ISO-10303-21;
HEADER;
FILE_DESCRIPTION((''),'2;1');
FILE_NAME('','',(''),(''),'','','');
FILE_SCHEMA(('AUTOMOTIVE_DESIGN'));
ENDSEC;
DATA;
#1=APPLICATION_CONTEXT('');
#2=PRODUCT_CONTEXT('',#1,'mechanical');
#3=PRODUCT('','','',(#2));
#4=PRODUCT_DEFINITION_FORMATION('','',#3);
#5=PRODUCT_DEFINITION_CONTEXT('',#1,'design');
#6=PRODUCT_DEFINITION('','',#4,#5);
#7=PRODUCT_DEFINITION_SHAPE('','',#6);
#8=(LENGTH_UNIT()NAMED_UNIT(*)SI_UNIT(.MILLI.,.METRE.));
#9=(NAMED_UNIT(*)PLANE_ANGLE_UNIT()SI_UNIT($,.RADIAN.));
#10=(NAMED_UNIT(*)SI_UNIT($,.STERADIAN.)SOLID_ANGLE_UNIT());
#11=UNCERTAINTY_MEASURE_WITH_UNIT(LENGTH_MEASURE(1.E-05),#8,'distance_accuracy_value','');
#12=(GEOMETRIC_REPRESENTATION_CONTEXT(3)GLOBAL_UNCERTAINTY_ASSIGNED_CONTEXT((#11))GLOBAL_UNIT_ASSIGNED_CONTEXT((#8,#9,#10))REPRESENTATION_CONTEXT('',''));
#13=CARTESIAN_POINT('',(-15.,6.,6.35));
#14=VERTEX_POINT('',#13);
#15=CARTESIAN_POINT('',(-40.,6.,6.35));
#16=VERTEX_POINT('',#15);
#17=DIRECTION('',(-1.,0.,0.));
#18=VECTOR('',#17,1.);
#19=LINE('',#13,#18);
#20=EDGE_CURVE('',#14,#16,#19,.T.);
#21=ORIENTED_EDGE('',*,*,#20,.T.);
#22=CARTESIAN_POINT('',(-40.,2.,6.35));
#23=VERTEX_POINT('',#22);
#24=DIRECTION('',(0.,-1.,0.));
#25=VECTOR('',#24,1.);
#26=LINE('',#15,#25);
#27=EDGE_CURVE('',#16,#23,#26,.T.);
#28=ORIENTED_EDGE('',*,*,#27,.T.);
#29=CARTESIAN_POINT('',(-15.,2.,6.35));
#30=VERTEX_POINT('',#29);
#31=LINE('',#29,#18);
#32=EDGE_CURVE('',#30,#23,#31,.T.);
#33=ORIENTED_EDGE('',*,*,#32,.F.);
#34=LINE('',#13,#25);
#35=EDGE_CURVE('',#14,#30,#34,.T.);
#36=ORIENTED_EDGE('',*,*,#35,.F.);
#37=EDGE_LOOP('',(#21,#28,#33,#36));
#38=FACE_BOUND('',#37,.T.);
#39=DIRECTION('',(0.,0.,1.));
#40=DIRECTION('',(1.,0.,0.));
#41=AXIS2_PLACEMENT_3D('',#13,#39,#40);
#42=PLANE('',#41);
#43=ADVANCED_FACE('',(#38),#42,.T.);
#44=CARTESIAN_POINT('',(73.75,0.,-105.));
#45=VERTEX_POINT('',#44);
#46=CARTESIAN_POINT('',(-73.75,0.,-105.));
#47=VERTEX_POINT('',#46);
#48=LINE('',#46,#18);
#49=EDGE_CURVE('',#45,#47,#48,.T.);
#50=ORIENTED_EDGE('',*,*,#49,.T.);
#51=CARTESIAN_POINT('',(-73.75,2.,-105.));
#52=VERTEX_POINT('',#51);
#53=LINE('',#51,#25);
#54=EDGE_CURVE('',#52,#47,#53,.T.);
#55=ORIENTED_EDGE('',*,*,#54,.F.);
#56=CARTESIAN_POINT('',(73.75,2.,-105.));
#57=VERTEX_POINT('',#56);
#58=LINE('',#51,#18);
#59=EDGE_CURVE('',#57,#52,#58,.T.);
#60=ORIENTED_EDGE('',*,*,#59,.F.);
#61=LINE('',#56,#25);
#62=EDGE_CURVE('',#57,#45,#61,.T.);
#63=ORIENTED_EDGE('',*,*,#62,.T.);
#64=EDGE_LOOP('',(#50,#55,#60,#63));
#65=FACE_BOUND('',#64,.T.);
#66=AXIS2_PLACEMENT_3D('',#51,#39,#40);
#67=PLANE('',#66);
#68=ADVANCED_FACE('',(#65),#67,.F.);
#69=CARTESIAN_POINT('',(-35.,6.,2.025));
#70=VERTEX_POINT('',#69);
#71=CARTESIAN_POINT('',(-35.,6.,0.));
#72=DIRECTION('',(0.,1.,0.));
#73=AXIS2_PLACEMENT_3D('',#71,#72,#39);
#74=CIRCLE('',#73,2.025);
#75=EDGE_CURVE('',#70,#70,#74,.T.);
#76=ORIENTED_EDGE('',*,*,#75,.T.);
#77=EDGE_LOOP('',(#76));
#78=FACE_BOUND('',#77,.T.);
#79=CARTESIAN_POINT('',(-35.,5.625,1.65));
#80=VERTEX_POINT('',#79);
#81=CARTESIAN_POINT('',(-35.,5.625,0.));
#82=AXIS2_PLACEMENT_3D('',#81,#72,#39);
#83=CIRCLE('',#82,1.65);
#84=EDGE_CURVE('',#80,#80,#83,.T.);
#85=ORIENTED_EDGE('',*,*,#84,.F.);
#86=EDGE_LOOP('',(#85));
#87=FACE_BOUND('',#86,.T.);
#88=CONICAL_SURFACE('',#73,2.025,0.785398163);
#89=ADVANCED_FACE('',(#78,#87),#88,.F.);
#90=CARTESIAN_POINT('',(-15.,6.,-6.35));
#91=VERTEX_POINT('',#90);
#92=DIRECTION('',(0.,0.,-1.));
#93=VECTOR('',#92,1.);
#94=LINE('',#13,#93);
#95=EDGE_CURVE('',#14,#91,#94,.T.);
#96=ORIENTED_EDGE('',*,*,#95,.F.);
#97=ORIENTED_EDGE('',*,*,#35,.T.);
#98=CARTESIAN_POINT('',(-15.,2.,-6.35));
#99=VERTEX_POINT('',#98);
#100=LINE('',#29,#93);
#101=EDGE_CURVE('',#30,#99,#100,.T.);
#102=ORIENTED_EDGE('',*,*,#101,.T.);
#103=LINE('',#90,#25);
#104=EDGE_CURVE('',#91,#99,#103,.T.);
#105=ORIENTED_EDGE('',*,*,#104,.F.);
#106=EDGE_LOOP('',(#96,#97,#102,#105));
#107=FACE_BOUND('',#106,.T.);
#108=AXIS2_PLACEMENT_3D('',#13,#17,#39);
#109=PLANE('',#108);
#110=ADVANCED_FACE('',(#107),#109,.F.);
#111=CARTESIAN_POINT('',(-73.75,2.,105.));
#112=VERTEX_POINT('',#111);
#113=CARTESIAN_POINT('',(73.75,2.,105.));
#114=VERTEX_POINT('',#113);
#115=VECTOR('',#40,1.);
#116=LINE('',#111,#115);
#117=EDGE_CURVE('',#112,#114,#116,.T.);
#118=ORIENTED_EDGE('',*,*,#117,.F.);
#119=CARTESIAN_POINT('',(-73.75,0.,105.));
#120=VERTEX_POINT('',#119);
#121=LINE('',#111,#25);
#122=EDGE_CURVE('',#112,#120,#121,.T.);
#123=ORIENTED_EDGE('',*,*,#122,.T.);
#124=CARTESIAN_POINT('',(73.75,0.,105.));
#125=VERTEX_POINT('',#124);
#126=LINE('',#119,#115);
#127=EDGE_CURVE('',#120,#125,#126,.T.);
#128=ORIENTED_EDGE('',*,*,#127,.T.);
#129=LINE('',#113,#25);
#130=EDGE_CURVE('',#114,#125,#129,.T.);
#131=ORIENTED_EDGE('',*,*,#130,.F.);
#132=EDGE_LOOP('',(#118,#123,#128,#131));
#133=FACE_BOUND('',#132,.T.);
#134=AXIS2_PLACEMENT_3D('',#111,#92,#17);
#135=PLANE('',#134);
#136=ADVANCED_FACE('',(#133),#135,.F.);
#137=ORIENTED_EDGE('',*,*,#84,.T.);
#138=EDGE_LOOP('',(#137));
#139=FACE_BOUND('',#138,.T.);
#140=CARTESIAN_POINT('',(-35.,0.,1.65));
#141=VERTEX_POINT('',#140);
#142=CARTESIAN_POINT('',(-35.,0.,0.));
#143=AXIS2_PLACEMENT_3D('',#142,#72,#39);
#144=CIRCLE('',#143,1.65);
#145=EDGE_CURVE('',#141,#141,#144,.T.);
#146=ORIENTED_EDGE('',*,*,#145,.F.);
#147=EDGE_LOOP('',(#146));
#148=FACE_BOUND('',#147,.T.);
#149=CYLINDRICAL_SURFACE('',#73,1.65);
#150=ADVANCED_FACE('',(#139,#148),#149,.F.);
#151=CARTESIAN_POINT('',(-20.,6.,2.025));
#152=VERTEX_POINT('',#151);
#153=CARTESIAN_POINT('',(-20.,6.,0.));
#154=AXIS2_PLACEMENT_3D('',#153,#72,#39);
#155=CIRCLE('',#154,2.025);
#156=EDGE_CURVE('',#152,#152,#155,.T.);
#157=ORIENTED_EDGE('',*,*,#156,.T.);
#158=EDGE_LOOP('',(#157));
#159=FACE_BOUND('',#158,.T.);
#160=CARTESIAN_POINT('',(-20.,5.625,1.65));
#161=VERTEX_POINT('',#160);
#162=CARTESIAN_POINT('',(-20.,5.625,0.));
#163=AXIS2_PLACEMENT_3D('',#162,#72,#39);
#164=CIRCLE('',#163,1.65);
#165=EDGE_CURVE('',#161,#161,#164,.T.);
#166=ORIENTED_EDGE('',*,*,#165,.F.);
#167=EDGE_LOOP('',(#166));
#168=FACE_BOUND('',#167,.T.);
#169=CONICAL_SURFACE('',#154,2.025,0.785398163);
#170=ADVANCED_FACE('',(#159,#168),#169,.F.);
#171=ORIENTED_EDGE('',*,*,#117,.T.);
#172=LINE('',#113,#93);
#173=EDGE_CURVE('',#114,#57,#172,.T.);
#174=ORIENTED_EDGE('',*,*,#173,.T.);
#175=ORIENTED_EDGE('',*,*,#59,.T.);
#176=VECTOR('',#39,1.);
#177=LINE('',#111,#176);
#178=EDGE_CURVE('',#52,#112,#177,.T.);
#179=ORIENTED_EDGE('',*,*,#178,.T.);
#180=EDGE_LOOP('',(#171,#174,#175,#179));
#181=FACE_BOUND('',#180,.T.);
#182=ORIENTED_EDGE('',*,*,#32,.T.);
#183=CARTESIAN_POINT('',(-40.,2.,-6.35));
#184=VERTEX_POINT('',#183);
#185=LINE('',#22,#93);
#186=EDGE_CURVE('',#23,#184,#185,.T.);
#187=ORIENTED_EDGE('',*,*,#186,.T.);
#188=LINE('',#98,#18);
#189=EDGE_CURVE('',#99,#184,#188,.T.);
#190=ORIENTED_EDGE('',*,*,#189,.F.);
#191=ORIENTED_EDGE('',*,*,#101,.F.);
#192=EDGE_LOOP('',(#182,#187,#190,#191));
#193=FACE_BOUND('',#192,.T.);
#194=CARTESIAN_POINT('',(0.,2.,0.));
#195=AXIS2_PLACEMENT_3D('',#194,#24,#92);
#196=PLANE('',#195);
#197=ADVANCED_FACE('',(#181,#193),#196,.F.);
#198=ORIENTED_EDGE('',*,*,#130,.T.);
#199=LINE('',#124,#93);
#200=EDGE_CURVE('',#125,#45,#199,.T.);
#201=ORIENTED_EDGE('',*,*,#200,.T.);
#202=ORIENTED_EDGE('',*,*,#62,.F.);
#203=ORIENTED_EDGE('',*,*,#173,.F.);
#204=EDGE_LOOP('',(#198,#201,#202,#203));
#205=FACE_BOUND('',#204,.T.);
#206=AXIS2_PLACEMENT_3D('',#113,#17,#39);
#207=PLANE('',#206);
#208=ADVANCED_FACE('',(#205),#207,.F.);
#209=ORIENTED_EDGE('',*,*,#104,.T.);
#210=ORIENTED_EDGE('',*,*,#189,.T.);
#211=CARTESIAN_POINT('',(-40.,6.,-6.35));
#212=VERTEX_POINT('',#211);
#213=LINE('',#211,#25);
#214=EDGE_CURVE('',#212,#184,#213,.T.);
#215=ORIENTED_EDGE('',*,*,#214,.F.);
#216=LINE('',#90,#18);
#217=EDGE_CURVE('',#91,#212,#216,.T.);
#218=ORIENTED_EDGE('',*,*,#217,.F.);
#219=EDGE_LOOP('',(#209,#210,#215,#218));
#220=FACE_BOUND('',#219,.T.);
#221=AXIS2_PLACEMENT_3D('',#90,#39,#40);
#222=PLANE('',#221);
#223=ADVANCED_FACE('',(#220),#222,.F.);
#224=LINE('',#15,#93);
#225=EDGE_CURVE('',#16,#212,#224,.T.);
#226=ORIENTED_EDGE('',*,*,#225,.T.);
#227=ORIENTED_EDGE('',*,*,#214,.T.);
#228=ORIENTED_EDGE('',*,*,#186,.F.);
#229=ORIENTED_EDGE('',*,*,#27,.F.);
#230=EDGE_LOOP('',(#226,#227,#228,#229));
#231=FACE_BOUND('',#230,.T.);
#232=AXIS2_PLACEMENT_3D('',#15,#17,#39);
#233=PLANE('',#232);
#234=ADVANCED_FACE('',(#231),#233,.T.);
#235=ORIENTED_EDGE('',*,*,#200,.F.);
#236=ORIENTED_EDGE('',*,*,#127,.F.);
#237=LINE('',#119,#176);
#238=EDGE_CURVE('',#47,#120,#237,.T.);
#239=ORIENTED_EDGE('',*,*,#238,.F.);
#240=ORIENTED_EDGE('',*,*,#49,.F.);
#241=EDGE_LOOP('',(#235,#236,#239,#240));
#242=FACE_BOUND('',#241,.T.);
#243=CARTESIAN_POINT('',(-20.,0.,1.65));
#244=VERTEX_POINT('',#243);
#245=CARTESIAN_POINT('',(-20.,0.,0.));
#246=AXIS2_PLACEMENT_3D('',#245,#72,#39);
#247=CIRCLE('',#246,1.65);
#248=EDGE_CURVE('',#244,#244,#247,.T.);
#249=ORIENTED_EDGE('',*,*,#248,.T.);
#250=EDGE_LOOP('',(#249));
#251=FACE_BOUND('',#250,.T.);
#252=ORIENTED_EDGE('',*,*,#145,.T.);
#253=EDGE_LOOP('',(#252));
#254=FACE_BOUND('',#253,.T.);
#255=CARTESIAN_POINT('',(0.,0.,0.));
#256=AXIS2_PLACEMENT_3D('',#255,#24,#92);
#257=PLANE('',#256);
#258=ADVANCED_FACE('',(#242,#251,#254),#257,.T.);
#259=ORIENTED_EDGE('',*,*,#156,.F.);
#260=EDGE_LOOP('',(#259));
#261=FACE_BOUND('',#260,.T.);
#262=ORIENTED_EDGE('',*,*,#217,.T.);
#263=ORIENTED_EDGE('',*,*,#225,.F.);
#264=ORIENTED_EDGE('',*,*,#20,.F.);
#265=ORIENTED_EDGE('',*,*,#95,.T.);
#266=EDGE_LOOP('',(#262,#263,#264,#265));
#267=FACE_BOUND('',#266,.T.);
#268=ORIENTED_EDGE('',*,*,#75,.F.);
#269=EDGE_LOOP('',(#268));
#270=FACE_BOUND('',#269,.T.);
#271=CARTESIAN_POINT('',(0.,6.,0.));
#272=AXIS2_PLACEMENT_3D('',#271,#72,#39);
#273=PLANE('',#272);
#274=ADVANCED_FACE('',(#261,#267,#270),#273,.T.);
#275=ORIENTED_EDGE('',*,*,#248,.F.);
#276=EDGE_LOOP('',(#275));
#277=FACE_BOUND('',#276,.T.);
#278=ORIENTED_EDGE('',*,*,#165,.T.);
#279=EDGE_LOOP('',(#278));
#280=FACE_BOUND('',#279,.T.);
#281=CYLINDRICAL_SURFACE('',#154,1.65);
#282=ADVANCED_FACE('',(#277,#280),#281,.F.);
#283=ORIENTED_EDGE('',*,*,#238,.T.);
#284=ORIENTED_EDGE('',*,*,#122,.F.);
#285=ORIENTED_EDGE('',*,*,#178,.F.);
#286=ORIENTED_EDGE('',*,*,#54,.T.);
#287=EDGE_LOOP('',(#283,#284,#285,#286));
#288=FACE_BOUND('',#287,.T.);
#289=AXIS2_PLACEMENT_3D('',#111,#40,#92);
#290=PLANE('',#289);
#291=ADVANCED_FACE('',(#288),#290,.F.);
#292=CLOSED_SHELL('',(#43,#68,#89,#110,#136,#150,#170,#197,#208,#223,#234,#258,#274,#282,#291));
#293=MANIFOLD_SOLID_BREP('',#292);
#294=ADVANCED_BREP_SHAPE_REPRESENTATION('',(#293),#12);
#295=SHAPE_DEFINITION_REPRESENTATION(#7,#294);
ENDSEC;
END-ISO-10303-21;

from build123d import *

# Parameters (mm, degrees)
SKETCH1_W                   = 147.5
SKETCH1_H                   = 210
BOSS_EXTRUDE1_DEPTH         = 2
SKETCH3_W                   = 25
SKETCH3_H                   = 12.7
BOSS_EXTRUDE3_DEPTH         = 4
M4_TAPPED_HOLE1_D           = 3.3
M4_TAPPED_HOLE1_CSINK_D     = 4.05
M4_TAPPED_HOLE1_CSINK_ANGLE = 90


with BuildPart() as part:
    # Sketch1 → Boss-Extrude1 (new body)
    with BuildSketch(Plane(origin=(0, 0, 0), x_dir=(1, 0, 0), z_dir=(0, 1, 0))):
        Rectangle(SKETCH1_W, SKETCH1_H)
    extrude(amount=BOSS_EXTRUDE1_DEPTH)

    # Sketch3 → Boss-Extrude3 (add)
    with BuildSketch(Plane(origin=(0, 2, 0), x_dir=(1, 0, 0), z_dir=(0, 1, 0))):
        with Locations((-27.5, 0)):
            Rectangle(SKETCH3_W, SKETCH3_H)
    extrude(amount=BOSS_EXTRUDE3_DEPTH)

    # M4 Tapped Hole1 (through all)
    with Locations(Plane(origin=(0, 6, 0), x_dir=(1, 0, 0), z_dir=(0, 1, 0))):
        with Locations((-20, 0), (-35, 0)):
            CounterSinkHole(M4_TAPPED_HOLE1_D / 2, M4_TAPPED_HOLE1_CSINK_D / 2, counter_sink_angle=M4_TAPPED_HOLE1_CSINK_ANGLE)


solid = part.part
